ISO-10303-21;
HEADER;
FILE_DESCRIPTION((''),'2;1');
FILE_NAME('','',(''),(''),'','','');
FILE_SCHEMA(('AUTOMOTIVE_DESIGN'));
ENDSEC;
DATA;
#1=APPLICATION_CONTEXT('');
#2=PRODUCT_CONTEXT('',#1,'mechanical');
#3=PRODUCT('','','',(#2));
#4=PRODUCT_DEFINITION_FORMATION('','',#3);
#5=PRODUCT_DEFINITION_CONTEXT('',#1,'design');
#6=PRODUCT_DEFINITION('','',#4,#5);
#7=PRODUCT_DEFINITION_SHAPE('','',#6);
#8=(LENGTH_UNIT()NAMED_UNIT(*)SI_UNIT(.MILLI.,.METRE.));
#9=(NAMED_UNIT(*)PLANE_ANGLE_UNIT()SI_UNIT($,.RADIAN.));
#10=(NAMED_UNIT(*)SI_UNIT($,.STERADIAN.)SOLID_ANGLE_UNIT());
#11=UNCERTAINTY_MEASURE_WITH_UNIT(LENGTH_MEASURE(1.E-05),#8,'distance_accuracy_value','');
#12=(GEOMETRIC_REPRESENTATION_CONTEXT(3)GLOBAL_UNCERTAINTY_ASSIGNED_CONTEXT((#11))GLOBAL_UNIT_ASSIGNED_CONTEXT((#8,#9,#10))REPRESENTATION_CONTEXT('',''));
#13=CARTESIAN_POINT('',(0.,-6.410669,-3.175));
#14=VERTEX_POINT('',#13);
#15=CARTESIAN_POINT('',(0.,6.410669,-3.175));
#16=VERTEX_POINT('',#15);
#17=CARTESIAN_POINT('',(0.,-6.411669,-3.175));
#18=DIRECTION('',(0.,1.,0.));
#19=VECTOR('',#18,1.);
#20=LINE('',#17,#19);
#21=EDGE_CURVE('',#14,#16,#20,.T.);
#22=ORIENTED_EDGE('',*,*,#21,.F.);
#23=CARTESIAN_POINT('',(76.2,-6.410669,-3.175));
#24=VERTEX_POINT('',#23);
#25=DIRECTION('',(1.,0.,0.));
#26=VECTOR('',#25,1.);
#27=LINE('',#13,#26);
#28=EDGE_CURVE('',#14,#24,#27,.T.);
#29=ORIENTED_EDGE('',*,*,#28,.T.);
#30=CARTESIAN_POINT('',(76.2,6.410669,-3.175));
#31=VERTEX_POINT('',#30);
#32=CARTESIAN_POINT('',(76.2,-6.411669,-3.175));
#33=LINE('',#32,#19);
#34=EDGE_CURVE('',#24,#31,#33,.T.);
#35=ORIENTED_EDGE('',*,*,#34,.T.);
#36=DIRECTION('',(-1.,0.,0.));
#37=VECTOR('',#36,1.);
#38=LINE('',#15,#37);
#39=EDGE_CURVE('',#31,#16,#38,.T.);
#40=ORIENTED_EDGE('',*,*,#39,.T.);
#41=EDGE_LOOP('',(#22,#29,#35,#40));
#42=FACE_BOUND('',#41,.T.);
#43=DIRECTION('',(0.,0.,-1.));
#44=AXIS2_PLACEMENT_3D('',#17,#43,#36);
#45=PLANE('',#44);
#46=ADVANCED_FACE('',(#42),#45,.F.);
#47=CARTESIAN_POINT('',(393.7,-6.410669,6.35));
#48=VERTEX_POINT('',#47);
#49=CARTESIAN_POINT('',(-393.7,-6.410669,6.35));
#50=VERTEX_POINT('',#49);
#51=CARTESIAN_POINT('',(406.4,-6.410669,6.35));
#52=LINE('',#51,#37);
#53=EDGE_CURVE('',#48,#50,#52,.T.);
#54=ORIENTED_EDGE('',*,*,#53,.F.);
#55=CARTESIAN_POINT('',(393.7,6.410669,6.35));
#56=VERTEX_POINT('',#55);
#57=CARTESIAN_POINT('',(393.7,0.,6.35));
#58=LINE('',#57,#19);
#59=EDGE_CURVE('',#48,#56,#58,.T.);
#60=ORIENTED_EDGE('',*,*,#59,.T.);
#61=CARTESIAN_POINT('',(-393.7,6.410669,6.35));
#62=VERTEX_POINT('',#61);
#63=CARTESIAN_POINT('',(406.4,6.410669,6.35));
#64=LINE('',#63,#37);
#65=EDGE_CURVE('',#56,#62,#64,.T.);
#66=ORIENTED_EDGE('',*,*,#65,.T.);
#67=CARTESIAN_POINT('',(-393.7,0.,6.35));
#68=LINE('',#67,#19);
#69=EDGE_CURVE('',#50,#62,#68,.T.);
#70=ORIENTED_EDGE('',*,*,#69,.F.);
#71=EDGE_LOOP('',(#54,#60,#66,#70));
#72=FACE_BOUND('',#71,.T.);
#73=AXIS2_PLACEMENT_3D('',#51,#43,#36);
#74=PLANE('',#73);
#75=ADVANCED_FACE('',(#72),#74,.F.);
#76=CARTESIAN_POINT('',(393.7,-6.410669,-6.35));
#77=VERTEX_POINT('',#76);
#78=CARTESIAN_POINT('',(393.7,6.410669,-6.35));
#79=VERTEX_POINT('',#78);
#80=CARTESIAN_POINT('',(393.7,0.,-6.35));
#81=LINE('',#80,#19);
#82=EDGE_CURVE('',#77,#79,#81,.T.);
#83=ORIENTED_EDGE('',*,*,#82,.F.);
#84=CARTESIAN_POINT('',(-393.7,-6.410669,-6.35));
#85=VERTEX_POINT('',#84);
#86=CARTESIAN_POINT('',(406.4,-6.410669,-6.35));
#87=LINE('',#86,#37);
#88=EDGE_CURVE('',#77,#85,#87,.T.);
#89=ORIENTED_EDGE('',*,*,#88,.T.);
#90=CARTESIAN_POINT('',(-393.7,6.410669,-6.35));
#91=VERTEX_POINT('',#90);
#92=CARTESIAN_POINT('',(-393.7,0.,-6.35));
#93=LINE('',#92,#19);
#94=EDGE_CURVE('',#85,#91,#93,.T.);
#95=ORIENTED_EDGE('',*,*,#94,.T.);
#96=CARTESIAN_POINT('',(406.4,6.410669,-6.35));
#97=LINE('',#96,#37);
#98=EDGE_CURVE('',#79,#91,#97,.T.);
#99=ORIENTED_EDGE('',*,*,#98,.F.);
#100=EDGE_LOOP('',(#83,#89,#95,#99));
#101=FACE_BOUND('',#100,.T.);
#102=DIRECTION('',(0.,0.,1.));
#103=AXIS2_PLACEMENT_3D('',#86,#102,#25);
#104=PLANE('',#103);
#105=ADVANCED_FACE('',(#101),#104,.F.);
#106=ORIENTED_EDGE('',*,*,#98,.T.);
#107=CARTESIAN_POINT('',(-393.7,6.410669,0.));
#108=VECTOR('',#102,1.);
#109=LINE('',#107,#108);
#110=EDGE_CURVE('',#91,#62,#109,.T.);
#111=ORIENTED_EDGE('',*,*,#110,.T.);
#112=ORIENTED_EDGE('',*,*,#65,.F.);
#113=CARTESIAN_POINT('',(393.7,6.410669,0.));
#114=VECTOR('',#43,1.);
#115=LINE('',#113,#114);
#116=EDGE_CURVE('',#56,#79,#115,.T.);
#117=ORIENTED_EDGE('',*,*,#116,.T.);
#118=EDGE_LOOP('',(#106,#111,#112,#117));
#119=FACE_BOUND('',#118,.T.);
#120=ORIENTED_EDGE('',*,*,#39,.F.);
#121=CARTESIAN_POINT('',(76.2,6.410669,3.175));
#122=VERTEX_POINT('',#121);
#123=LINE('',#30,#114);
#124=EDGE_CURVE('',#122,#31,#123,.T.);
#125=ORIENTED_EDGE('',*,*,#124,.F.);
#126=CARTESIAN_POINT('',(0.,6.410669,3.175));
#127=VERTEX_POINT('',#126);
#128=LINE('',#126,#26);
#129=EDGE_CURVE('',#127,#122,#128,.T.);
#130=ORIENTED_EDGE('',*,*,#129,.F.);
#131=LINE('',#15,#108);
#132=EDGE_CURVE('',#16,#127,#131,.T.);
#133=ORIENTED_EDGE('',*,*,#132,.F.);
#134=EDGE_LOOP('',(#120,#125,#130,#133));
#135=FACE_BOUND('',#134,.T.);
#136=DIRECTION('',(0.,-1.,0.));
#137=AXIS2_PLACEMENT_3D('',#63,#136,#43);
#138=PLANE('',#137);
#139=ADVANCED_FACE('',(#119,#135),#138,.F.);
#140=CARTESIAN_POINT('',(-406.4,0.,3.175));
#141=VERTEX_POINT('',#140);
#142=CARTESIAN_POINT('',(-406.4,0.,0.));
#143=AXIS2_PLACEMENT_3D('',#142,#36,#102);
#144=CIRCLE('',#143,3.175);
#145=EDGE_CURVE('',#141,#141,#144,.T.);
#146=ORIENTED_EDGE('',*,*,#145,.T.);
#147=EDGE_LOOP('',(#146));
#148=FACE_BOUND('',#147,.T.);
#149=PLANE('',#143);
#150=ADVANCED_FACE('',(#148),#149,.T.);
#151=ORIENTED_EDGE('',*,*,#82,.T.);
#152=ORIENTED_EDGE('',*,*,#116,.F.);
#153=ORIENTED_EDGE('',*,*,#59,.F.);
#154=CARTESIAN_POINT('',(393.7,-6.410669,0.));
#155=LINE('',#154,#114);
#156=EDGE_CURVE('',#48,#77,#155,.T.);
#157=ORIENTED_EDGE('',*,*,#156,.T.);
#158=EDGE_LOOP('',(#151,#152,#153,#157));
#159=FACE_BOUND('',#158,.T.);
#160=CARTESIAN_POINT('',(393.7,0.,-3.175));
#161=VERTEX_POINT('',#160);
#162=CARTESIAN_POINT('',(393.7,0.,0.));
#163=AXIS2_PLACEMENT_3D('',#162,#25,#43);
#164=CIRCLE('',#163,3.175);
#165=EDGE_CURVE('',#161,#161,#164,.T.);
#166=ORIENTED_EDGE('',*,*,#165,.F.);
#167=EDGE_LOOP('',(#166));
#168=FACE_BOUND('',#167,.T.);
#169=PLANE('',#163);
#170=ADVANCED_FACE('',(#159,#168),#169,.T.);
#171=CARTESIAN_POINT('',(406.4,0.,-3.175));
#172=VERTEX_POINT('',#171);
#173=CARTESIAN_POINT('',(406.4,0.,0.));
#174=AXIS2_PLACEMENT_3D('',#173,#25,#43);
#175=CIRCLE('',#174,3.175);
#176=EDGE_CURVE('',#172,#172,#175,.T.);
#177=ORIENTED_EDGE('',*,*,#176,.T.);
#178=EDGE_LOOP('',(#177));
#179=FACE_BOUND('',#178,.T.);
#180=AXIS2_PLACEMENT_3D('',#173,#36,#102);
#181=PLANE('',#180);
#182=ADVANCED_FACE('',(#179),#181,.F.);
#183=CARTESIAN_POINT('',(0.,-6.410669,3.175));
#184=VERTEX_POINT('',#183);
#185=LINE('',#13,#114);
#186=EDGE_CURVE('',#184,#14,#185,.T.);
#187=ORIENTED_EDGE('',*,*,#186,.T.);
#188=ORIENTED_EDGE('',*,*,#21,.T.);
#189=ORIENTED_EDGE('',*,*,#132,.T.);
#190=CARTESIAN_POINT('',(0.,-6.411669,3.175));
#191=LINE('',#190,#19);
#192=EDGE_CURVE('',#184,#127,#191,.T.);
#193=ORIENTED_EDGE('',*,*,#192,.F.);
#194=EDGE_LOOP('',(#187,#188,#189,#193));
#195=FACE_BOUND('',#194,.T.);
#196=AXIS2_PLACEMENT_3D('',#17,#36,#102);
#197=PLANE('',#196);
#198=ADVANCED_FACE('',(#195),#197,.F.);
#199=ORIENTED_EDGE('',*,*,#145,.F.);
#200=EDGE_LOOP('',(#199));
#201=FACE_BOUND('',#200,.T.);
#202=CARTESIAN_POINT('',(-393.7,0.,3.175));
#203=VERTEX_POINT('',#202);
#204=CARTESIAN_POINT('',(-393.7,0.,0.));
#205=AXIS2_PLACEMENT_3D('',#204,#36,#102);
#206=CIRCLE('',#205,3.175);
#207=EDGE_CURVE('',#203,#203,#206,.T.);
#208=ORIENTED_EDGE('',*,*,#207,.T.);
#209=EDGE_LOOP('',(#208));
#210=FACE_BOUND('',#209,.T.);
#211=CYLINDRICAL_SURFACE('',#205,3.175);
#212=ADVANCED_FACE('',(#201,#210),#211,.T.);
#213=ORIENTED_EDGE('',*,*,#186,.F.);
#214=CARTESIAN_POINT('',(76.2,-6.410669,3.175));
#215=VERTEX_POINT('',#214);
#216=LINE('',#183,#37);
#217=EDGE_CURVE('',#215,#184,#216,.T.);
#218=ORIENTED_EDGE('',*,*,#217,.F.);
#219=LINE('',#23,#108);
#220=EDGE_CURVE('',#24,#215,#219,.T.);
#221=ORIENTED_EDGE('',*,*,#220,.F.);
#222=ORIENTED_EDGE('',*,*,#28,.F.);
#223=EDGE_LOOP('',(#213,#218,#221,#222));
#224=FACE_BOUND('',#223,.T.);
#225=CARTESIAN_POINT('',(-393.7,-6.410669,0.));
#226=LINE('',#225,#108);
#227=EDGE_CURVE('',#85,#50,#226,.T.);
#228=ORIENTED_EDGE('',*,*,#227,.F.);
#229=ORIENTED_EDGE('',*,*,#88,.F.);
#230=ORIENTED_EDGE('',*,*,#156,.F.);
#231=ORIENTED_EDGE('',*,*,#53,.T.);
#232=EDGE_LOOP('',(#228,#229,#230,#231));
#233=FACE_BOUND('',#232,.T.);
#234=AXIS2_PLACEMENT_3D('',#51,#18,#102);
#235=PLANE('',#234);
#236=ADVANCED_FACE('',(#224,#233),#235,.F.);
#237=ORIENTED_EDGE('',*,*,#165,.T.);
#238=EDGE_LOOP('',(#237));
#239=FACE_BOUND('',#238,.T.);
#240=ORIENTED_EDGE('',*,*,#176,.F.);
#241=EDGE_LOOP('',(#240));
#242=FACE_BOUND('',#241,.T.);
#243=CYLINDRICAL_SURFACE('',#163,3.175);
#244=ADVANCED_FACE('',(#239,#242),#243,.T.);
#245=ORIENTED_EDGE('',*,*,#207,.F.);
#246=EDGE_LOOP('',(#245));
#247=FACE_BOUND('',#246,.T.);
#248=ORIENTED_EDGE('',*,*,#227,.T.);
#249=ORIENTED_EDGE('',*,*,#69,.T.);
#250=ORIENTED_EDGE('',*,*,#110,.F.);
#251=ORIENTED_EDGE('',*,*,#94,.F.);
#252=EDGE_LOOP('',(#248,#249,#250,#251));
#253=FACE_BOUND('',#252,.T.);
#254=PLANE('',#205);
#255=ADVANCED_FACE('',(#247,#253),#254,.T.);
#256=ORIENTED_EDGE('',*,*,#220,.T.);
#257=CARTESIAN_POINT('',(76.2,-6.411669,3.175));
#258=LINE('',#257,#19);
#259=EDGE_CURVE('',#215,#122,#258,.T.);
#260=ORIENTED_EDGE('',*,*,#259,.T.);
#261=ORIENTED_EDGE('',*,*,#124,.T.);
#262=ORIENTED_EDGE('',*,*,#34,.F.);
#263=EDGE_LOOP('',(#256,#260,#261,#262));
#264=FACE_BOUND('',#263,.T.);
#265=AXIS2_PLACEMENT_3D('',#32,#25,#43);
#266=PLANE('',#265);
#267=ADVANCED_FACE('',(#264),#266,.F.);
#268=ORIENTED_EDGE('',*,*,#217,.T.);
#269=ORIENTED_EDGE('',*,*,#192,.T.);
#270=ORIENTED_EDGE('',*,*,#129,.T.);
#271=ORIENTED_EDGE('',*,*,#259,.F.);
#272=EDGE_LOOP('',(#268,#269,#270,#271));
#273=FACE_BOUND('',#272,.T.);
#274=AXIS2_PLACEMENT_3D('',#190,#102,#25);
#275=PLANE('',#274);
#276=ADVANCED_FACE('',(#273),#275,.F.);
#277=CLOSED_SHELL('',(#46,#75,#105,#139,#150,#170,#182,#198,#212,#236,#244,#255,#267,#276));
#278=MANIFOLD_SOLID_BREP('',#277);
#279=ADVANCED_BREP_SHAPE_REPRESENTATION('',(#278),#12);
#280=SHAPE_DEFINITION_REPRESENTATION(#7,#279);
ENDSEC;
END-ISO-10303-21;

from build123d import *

# Parameters (mm, degrees)
SKETCH1_W          = 12.7
SKETCH1_H          = 12.82133758
LENGTH_DEPTH       = 406.4
SKETCH2_W          = 12.7
SKETCH2_H          = 12.82133758
SKETCH2_R          = 3.175
ROUND_CUT_1_DEPTH  = 12.7
SKETCH3_W          = 12.7
SKETCH3_H          = 12.82133758
SKETCH3_R          = 3.175
ROUND_CUT_2_DEPTH  = 12.7
CUT_EXTRUDE1_REACH = 14.821
SKETCH5_W          = 76.2
SKETCH5_H          = 6.35


with BuildPart() as part:
    # Sketch1 → Length (new body, symmetric)
    with BuildSketch(Plane(origin=(0, 0, 0), x_dir=(0, 0, -1), z_dir=(1, 0, 0))):
        Rectangle(SKETCH1_W, SKETCH1_H)
    extrude(amount=LENGTH_DEPTH, both=True)

    # Sketch2 → Round Cut 1 (cut)
    with BuildSketch(Plane(origin=(406.4, 0, 0), x_dir=(0, 0, -1), z_dir=(1, 0, 0))):
        Rectangle(SKETCH2_W, SKETCH2_H)
        Circle(SKETCH2_R, mode=Mode.SUBTRACT)
    extrude(amount=-ROUND_CUT_1_DEPTH, mode=Mode.SUBTRACT)

    # Sketch3 → Round Cut 2 (cut)
    with BuildSketch(Plane.ZY.offset(406.4)):
        Rectangle(SKETCH3_W, SKETCH3_H)
        Circle(SKETCH3_R, mode=Mode.SUBTRACT)
    extrude(amount=-ROUND_CUT_2_DEPTH, mode=Mode.SUBTRACT)

    # Sketch5 → Cut-Extrude1 (cut, up to next)
    with BuildSketch(Plane(origin=(0, 6.41066879, 0), x_dir=(1, 0, 0), z_dir=(0, 1, 0)), mode=Mode.PRIVATE) as cut_extrude1_sk1:
        with Locations((38.1, 0)):
            Rectangle(SKETCH5_W, SKETCH5_H)
    cut_extrude1_tool1 = extrude(cut_extrude1_sk1.sketch, amount=-CUT_EXTRUDE1_REACH, mode=Mode.PRIVATE) & part.part
    add(cut_extrude1_tool1.solids().sort_by_distance((38.1, 6.410669, 0))[0], mode=Mode.SUBTRACT)


solid = part.part
